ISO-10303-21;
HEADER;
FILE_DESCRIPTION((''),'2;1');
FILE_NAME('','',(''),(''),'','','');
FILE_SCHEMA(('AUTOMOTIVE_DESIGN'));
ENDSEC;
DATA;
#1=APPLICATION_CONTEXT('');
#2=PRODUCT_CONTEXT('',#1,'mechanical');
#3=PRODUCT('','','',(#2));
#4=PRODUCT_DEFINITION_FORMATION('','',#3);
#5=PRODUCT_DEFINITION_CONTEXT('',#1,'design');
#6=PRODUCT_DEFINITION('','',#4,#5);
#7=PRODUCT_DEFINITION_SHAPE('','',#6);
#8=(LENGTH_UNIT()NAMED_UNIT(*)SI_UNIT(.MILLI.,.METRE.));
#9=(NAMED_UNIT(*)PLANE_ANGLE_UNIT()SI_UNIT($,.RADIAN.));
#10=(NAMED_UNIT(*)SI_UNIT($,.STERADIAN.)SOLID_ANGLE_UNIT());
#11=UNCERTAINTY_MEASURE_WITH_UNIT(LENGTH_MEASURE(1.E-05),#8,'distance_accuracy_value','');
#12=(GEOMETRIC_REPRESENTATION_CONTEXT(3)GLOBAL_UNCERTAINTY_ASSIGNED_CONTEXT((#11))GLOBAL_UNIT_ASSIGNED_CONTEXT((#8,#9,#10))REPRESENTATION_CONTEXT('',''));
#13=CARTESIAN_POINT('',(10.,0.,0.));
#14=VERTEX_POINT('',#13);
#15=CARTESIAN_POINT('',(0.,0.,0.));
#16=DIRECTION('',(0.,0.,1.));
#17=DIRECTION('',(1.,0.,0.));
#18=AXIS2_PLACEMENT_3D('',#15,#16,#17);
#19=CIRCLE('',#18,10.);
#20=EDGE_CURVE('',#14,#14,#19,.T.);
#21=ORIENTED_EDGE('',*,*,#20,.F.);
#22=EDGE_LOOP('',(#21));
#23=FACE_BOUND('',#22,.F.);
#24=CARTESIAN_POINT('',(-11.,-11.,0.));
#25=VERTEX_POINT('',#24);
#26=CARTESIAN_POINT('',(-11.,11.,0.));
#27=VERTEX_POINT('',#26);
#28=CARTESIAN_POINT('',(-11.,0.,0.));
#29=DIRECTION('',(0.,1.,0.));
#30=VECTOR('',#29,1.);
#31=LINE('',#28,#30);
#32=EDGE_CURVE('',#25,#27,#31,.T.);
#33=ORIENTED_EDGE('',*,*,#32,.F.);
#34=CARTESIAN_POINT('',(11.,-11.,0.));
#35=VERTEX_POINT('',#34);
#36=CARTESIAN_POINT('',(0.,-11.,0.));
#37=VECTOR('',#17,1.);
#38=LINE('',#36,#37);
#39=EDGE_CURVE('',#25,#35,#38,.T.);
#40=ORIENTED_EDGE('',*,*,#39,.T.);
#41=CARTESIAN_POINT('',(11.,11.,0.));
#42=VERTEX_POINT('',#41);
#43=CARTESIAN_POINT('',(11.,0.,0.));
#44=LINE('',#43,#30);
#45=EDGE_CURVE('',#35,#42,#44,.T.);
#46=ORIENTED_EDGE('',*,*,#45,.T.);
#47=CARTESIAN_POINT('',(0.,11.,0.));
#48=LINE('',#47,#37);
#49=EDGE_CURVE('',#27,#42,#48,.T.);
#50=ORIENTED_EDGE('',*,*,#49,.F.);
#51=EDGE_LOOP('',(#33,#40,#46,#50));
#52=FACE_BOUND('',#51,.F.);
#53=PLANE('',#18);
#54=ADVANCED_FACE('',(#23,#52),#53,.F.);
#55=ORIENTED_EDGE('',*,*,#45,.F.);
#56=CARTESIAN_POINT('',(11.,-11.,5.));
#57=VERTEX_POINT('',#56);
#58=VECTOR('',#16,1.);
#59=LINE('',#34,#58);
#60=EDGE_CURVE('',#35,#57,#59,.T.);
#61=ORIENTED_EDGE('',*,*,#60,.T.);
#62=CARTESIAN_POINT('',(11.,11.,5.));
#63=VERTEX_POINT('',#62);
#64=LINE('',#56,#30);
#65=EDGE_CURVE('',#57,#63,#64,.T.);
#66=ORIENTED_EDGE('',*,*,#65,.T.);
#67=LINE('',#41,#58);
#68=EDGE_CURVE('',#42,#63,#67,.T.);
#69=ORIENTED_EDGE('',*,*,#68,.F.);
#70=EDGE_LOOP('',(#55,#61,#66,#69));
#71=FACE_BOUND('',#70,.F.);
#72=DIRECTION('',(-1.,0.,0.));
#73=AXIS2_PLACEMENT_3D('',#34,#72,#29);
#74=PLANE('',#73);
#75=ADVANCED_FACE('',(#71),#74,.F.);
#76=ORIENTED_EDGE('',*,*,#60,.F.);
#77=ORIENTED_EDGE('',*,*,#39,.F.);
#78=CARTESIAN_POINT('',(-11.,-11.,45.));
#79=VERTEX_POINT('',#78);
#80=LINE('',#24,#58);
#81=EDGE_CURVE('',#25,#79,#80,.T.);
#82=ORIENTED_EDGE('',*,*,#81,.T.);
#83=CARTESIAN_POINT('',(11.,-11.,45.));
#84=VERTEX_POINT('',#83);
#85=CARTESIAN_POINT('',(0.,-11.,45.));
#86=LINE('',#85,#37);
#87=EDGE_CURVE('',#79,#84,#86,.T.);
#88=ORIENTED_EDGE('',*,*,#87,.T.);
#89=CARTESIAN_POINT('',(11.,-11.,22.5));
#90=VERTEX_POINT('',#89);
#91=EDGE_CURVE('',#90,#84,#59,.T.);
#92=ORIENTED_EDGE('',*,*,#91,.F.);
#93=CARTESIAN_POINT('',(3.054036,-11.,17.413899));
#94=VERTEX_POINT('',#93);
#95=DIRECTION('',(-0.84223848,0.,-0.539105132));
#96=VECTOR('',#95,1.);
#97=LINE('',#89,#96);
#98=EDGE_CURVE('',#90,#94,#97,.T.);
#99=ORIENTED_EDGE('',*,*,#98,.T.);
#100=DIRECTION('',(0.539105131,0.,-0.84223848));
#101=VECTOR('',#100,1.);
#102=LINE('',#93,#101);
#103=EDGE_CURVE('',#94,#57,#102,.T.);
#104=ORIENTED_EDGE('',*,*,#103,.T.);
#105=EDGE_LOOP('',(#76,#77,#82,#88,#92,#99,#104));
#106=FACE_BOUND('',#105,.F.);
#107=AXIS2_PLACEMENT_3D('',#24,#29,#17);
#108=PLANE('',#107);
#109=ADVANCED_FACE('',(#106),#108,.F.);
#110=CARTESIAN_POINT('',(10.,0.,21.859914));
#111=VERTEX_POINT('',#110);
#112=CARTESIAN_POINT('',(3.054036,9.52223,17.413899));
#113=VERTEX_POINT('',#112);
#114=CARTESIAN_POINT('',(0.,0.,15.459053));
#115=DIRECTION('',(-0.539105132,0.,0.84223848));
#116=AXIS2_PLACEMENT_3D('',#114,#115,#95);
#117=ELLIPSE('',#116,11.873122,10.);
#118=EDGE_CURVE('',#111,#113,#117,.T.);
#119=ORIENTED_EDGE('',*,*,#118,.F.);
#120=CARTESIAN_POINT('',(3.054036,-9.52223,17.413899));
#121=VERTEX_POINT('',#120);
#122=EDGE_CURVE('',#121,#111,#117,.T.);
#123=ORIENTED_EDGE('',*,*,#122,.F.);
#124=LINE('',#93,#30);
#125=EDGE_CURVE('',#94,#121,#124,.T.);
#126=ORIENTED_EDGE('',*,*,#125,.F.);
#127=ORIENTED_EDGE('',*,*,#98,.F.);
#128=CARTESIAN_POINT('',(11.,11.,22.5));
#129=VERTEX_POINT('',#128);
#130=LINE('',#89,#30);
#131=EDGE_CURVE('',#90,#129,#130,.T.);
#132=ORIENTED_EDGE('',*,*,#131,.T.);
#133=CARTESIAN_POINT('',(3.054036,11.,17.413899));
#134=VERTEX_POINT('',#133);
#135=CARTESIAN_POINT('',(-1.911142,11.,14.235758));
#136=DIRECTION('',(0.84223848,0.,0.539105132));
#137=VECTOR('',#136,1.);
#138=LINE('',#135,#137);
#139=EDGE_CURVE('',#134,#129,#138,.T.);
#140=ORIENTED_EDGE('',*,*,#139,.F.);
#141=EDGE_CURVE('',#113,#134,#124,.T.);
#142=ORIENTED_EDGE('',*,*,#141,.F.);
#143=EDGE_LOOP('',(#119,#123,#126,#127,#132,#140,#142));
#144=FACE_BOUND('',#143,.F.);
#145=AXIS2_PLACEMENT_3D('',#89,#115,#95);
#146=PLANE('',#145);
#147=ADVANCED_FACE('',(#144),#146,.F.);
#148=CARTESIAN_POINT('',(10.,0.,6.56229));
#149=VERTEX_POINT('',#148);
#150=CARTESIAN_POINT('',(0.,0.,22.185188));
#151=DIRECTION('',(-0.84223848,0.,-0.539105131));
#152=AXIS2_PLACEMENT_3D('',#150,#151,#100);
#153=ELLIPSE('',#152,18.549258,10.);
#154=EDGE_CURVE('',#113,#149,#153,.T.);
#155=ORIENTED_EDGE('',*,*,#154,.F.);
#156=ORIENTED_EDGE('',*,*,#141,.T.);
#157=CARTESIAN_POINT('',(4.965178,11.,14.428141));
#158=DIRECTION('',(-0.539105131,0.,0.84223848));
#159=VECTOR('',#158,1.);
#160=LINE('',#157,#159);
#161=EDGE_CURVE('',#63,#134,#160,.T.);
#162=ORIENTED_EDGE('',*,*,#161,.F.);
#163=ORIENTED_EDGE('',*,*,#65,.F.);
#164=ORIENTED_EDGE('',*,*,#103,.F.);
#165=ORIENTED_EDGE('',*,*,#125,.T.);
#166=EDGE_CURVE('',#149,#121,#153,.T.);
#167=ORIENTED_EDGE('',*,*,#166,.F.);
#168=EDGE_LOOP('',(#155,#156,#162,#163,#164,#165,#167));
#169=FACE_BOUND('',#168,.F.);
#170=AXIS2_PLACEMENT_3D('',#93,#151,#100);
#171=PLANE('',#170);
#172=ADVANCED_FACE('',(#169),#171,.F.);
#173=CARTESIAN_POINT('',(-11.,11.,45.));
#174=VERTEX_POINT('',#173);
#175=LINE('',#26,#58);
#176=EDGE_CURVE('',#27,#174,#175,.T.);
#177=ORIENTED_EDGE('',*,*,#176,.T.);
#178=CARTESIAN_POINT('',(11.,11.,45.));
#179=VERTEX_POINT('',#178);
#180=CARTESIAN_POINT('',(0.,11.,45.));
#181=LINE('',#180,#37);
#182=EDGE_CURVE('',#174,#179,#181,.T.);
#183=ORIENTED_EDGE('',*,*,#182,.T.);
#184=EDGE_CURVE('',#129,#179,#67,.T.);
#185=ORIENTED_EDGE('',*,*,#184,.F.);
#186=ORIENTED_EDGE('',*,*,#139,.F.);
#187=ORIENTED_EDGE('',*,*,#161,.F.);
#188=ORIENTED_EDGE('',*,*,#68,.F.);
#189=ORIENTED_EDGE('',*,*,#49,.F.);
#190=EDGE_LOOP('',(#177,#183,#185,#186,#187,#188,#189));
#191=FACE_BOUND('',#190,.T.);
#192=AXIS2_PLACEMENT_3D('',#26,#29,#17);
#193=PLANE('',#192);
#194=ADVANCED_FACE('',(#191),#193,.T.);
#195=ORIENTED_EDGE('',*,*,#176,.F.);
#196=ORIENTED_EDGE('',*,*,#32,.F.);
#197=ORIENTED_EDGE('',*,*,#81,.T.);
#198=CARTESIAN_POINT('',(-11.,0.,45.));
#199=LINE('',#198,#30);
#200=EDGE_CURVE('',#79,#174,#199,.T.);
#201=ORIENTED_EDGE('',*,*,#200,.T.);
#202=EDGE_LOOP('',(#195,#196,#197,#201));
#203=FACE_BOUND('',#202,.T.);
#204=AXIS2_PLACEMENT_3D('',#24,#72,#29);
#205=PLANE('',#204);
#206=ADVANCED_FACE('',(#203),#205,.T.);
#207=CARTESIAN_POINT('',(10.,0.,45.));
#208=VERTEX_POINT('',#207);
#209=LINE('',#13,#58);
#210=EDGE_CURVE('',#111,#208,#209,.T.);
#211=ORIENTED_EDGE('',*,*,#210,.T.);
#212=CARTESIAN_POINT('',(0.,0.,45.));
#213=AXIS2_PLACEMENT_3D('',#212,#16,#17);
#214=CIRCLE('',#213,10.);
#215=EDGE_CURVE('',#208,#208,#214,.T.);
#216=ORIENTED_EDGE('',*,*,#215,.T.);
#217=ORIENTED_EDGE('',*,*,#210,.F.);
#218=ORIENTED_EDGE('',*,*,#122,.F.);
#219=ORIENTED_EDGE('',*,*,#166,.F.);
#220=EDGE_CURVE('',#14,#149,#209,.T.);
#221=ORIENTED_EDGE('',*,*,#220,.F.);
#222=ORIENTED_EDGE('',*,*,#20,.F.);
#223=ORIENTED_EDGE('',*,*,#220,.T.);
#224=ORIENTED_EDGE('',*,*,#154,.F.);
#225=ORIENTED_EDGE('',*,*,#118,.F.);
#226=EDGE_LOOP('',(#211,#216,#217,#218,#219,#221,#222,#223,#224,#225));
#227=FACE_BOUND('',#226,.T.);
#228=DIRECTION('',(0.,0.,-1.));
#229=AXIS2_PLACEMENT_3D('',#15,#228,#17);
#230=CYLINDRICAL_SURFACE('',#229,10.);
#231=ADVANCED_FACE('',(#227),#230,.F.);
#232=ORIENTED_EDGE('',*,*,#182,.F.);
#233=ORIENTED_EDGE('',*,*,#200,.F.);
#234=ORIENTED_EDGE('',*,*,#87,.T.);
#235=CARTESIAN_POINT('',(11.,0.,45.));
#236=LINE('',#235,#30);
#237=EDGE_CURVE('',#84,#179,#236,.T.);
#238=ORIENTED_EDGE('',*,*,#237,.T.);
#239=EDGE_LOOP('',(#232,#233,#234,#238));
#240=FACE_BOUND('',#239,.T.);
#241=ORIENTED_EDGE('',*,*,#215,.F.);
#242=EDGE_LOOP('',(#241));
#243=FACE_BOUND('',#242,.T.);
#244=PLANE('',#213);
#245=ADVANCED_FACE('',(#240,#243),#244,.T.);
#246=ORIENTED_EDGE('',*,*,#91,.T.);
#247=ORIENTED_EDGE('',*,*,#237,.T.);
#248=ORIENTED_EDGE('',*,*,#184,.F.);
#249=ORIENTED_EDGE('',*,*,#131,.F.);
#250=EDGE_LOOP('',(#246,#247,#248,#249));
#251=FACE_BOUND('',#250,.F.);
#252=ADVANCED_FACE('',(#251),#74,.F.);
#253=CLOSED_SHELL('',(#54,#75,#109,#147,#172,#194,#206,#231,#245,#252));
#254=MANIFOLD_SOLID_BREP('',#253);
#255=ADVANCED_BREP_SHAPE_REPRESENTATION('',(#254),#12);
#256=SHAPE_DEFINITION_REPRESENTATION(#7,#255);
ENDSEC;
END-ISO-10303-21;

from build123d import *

# Parameters (mm, degrees)
F0_W     = 22
F0_H     = 22
F0_R     = 10
F1_DEPTH = 45
F3_DEPTH = 22.001


with BuildPart() as f1:
    # F0 (on Top) → F1 (new body)
    with BuildSketch(Plane.XY):
        Rectangle(F0_W, F0_H)
        Circle(F0_R, mode=Mode.SUBTRACT)
    extrude(amount=F1_DEPTH)

    # F2 (on face) → F3 (cut, through all)
    with BuildSketch(Plane.XZ.offset(11)):
        Polygon((11, 5), (11, 22.5), (3.054036, 17.413899), align=None)
    extrude(amount=-F3_DEPTH, mode=Mode.SUBTRACT)


solid = f1.part
